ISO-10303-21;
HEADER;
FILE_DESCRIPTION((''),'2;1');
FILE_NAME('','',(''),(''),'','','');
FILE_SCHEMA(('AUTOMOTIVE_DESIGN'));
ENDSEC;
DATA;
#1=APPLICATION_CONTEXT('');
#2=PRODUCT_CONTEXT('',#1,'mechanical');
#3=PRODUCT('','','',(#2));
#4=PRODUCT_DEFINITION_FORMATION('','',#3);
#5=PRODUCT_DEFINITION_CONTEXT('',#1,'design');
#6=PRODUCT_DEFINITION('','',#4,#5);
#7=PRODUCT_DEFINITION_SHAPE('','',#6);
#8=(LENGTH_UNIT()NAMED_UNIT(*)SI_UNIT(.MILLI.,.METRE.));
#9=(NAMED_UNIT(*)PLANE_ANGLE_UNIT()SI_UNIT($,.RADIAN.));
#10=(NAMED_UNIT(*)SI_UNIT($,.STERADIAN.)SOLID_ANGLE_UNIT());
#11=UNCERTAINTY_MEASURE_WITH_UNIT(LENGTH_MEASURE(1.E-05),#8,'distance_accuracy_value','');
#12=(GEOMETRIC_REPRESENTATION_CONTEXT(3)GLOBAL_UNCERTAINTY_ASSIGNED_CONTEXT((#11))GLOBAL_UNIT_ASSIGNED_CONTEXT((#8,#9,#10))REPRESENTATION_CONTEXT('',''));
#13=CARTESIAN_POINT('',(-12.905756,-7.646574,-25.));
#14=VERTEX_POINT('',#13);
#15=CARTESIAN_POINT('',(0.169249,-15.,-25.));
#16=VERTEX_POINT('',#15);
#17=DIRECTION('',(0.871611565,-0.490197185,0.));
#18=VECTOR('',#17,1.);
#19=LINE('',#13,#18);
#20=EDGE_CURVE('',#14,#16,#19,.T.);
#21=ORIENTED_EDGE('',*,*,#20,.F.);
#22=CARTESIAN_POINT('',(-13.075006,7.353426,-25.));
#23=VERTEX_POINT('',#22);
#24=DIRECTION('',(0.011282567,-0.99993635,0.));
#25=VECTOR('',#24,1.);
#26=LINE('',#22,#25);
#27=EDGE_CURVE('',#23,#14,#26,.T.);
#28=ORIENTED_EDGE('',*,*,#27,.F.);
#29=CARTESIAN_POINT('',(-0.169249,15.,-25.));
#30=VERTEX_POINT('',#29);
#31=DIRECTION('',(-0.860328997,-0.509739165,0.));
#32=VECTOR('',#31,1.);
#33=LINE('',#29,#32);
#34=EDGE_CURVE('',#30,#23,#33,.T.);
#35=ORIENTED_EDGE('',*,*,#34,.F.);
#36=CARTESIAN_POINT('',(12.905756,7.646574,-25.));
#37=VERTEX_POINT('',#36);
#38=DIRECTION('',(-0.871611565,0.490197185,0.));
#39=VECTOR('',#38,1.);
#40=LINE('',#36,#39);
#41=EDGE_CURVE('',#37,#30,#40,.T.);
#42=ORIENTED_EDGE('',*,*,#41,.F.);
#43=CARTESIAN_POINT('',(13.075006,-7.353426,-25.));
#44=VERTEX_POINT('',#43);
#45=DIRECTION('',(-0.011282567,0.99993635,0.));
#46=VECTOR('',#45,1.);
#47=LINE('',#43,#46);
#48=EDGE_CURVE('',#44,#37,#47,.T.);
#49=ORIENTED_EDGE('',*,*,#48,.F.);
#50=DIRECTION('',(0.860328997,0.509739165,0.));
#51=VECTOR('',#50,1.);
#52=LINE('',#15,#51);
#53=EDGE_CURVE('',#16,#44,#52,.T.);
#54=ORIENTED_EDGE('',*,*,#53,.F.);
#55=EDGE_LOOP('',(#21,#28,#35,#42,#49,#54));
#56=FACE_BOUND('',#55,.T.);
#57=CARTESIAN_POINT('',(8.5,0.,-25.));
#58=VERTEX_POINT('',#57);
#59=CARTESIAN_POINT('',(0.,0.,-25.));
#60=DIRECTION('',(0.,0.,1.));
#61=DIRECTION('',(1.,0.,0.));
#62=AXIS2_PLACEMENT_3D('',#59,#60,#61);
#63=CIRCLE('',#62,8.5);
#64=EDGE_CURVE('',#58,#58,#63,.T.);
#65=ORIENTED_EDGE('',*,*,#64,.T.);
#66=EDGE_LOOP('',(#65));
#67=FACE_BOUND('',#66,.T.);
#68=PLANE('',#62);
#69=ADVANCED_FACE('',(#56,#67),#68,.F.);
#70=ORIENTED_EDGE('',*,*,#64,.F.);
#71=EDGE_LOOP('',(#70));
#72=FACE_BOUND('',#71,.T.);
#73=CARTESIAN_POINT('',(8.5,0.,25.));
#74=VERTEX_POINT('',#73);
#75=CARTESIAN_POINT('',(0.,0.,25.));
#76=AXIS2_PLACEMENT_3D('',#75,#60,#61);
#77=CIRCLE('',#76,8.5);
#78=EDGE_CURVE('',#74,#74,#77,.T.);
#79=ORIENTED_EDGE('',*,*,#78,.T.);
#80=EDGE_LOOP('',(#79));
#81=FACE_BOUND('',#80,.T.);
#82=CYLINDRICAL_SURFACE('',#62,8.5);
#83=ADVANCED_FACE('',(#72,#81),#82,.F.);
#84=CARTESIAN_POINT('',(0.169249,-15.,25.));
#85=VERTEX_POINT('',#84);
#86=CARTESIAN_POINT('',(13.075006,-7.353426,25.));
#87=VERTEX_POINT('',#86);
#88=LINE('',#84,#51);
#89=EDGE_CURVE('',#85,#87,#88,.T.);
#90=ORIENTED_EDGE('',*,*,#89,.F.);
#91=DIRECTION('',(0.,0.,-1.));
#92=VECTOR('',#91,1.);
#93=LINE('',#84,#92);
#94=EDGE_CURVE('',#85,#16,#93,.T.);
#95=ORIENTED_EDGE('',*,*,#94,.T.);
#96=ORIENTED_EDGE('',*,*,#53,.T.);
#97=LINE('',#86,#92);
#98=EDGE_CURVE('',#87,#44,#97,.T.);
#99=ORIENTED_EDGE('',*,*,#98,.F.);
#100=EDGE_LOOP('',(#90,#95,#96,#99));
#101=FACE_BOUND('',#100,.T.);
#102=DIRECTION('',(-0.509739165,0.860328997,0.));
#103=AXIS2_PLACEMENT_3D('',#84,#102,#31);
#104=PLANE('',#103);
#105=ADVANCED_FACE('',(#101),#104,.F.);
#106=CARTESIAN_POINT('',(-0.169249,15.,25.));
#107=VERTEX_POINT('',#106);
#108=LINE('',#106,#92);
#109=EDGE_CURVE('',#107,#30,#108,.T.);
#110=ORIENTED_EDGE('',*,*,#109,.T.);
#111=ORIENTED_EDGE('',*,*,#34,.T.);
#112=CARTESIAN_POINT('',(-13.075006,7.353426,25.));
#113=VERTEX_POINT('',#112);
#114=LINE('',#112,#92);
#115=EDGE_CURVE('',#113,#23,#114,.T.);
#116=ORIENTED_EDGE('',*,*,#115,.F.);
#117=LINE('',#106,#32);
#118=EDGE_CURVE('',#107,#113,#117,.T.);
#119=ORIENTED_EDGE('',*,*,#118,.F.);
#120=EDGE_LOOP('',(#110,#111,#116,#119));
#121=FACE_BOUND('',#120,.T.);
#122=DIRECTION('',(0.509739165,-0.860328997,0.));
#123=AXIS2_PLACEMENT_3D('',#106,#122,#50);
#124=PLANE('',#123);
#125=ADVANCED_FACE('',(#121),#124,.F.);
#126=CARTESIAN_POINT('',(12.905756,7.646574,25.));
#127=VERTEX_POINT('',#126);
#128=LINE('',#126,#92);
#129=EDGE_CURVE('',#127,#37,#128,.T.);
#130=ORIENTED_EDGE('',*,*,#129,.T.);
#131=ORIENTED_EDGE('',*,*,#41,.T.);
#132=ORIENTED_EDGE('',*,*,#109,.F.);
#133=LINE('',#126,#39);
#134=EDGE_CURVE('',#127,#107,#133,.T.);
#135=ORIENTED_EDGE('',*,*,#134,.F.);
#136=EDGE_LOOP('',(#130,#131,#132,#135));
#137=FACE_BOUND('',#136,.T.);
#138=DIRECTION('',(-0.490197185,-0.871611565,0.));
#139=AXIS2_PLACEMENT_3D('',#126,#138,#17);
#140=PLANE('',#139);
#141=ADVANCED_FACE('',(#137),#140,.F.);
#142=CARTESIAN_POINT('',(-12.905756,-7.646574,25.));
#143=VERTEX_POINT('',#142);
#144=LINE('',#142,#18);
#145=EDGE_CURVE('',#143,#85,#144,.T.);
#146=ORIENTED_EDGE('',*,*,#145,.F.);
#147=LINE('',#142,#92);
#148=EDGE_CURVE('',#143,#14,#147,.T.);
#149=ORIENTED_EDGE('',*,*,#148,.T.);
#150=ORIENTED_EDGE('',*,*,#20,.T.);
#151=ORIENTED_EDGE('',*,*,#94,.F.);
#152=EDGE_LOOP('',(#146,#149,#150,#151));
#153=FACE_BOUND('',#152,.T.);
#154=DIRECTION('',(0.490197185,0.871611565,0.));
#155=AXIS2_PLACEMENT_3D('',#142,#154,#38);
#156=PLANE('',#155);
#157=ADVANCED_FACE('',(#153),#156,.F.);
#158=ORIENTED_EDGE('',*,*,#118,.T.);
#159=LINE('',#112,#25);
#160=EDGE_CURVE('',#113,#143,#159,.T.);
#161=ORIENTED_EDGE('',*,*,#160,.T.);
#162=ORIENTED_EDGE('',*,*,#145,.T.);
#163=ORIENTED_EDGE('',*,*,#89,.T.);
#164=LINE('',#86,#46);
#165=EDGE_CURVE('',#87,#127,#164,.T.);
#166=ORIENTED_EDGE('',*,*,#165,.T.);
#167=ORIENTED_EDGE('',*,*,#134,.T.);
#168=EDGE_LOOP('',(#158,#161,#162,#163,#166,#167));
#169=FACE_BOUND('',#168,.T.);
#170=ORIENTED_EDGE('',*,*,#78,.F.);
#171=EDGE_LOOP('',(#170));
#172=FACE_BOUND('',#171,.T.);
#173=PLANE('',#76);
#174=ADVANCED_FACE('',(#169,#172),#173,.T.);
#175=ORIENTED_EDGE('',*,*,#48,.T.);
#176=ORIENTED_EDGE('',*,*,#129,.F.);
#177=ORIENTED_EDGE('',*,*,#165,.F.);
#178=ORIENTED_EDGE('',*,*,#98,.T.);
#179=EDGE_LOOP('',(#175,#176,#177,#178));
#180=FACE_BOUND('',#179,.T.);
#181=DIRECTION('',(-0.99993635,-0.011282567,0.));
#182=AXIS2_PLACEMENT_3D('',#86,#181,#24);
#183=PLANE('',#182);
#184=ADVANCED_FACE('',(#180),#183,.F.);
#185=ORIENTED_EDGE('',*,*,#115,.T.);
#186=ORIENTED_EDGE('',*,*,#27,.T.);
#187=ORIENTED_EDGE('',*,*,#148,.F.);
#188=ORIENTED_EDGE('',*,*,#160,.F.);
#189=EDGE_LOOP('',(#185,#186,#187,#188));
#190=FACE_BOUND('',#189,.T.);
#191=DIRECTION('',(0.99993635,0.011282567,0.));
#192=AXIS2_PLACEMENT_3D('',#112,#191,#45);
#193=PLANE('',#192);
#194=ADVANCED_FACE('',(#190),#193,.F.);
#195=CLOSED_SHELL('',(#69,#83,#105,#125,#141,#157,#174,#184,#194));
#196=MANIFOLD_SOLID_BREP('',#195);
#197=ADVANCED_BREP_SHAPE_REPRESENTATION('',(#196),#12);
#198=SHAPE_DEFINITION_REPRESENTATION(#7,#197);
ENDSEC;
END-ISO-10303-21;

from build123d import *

# Parameters (mm, degrees)
BOSS_EXTRUDE1_DEPTH     = 25
CUT_EXTRUDE1_DEPTH      = 32.952398564
CUT_EXTRUDE1_DEPTH_BACK = 32.952398564
SKETCH1_R               = 8.5


with BuildPart() as part:
    # Sketch2 → Boss-Extrude1 (new, symmetric)
    with BuildSketch(Plane.XY):
        Polygon((12.905756416, 7.646574177), (-0.169249281, 15), (-13.075005697, 7.353425823), (-12.905756416, -7.646574177), (0.169249281, -15), (13.075005697, -7.353425823), align=None)
    extrude(amount=BOSS_EXTRUDE1_DEPTH, both=True)

    # Sketch1 → Cut-Extrude1 (cut, two sides: drawn at the far end of the back side and taken through both)
    with BuildSketch(Plane.XY.offset(-CUT_EXTRUDE1_DEPTH_BACK)):
        Circle(SKETCH1_R)
    extrude(amount=CUT_EXTRUDE1_DEPTH + CUT_EXTRUDE1_DEPTH_BACK, mode=Mode.SUBTRACT)


solid = part.part
